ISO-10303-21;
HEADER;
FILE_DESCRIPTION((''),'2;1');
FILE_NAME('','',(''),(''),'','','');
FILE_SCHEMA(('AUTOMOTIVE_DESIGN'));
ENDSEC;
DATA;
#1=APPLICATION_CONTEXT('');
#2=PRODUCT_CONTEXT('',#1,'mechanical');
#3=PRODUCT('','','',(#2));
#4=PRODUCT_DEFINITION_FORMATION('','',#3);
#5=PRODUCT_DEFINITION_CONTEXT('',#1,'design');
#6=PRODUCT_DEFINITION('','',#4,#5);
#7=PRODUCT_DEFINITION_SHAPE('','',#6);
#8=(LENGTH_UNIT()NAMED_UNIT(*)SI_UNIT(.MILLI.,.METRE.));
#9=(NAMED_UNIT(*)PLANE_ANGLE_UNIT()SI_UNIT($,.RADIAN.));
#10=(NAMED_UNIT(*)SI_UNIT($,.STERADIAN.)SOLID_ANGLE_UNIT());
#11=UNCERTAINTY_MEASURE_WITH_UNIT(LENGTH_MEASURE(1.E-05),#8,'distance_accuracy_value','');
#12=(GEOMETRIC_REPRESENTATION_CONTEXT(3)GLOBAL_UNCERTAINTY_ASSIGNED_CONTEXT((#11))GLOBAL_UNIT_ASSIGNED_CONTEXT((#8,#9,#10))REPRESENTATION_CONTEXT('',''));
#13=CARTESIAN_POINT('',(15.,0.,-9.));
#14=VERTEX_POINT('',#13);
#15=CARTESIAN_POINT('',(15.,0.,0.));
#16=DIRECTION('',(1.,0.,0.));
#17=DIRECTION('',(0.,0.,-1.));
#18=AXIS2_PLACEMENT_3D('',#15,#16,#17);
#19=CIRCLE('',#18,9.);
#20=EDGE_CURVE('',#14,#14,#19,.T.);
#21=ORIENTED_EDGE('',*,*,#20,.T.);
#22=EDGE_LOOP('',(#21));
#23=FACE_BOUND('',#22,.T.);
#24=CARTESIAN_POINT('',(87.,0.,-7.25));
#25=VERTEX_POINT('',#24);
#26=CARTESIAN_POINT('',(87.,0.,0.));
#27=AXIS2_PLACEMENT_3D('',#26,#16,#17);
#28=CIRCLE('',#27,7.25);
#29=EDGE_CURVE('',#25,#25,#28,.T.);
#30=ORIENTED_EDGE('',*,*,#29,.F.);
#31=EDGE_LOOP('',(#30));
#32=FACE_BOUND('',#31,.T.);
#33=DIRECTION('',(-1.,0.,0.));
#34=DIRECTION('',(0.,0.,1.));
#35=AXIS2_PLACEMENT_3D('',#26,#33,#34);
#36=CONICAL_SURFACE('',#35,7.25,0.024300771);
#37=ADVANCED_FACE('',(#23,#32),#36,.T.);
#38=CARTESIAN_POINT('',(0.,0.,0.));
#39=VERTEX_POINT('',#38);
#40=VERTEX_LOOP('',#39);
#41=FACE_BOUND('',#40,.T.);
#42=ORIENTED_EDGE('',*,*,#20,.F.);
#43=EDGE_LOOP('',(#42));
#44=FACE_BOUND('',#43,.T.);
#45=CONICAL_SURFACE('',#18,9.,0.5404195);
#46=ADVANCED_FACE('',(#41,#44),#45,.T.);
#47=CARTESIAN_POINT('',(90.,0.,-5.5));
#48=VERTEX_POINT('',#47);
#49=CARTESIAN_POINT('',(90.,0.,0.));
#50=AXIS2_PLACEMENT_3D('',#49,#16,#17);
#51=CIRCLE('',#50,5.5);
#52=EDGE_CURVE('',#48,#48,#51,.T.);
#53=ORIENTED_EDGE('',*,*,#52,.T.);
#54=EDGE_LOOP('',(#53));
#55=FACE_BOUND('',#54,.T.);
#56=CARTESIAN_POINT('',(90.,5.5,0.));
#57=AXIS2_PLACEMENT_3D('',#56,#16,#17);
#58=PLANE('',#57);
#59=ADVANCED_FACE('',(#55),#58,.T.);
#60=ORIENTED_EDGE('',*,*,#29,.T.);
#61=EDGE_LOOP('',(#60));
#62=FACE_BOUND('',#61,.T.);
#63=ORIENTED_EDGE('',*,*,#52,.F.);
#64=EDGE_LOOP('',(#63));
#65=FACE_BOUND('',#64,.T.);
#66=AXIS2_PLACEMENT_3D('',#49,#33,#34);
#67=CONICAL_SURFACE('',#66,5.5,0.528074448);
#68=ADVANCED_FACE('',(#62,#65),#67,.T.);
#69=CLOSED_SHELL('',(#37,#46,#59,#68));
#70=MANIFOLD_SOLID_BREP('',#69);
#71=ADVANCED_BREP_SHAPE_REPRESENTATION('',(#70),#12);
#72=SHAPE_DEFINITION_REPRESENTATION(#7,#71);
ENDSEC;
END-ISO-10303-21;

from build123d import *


with BuildPart() as part:
    # Sketch1 → Revolve1 (revolve)
    with BuildSketch(Plane.XY):
        Polygon((0, 0), (15, 9), (87, 7.25), (90, 5.5), (90, 0), align=None)
    revolve(axis=Axis((90, 0, 0), (-1, 0, 0)))


solid = part.part
